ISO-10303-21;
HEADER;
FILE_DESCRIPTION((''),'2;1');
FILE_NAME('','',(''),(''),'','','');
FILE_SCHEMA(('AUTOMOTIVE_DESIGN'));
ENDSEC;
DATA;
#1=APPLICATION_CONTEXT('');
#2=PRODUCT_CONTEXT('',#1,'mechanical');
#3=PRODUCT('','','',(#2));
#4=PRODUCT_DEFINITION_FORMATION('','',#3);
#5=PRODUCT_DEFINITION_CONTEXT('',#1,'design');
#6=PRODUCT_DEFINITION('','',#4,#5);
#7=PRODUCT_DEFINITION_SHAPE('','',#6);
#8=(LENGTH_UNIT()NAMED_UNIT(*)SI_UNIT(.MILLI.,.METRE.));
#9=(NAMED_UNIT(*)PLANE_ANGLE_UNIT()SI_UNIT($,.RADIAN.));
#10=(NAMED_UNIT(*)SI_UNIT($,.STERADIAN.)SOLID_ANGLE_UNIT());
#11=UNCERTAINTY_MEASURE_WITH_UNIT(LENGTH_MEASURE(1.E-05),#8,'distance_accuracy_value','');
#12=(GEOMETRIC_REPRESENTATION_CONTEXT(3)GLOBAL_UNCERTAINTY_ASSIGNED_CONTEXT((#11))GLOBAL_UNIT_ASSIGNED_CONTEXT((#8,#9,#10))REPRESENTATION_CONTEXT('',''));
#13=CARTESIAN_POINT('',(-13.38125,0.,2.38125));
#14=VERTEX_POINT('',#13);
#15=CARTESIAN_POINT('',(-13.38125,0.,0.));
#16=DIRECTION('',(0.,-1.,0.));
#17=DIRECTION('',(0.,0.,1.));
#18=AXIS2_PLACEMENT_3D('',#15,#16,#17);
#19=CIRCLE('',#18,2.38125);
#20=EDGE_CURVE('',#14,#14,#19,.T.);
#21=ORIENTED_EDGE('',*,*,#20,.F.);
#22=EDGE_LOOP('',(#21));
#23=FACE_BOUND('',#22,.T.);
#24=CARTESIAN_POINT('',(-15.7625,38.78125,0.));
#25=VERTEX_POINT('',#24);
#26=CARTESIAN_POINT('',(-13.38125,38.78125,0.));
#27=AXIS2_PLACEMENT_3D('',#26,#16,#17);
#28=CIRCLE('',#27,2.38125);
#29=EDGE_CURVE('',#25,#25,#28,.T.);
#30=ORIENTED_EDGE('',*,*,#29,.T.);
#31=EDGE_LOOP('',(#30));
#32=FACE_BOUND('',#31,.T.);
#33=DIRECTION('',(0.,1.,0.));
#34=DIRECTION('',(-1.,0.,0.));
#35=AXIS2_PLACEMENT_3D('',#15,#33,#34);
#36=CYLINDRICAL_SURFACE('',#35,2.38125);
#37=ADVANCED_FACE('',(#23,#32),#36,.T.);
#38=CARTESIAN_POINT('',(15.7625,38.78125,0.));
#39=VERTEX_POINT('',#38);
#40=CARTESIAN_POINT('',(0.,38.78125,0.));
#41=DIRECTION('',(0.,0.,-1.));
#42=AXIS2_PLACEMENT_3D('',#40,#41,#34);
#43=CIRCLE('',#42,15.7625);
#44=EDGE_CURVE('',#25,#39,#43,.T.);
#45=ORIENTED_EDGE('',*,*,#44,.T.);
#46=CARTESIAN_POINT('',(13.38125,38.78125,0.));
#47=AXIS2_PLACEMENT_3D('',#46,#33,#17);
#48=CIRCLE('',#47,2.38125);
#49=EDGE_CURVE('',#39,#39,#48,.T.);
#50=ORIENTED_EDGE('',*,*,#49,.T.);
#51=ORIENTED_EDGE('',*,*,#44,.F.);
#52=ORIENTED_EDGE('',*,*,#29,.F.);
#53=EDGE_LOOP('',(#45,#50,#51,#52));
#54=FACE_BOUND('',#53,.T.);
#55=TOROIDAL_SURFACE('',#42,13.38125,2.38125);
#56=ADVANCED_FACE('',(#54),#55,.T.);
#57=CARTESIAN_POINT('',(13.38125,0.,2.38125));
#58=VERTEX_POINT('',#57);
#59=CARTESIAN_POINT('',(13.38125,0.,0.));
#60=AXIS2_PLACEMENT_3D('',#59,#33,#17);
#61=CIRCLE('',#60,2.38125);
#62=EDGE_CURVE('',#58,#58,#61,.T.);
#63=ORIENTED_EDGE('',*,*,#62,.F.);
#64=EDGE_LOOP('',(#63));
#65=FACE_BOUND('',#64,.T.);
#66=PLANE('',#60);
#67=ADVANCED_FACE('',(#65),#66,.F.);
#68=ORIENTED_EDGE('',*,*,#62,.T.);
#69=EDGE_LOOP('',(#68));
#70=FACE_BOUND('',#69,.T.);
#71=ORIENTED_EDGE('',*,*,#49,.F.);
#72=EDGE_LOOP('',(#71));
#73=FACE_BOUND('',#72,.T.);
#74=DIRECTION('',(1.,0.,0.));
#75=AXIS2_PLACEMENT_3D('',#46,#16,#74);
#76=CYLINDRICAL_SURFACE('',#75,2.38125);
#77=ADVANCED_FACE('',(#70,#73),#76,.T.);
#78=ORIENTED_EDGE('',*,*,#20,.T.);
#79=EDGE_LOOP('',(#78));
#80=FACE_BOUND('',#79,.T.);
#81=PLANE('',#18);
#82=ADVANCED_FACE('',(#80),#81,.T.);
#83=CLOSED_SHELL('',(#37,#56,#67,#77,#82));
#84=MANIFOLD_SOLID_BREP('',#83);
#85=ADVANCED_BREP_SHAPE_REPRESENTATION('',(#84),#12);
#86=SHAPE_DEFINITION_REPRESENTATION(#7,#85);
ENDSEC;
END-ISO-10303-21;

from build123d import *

# Parameters (mm, degrees)
CROQUIS1_R = 2.38125


with BuildPart() as part:
    # Barrer1: sweep along a path in Croquis2
    with BuildLine(Plane.XY) as barrer1_path:
        Line((-13.38125, 0), (-13.38125, 38.78125))
        ThreePointArc((-13.38125, 38.78125), (0, 52.1625), (13.38125, 38.78125))
        Line((13.38125, 38.78125), (13.38125, 0))
    # Croquis1 → Barrer1 (sweep)
    with BuildSketch(Plane(origin=(0, 0, 0), x_dir=(1, 0, 0), z_dir=(0, 1, 0))):
        with Locations((13.38125, 0)):
            Circle(CROQUIS1_R)
    sweep(path=barrer1_path.line)


solid = part.part
